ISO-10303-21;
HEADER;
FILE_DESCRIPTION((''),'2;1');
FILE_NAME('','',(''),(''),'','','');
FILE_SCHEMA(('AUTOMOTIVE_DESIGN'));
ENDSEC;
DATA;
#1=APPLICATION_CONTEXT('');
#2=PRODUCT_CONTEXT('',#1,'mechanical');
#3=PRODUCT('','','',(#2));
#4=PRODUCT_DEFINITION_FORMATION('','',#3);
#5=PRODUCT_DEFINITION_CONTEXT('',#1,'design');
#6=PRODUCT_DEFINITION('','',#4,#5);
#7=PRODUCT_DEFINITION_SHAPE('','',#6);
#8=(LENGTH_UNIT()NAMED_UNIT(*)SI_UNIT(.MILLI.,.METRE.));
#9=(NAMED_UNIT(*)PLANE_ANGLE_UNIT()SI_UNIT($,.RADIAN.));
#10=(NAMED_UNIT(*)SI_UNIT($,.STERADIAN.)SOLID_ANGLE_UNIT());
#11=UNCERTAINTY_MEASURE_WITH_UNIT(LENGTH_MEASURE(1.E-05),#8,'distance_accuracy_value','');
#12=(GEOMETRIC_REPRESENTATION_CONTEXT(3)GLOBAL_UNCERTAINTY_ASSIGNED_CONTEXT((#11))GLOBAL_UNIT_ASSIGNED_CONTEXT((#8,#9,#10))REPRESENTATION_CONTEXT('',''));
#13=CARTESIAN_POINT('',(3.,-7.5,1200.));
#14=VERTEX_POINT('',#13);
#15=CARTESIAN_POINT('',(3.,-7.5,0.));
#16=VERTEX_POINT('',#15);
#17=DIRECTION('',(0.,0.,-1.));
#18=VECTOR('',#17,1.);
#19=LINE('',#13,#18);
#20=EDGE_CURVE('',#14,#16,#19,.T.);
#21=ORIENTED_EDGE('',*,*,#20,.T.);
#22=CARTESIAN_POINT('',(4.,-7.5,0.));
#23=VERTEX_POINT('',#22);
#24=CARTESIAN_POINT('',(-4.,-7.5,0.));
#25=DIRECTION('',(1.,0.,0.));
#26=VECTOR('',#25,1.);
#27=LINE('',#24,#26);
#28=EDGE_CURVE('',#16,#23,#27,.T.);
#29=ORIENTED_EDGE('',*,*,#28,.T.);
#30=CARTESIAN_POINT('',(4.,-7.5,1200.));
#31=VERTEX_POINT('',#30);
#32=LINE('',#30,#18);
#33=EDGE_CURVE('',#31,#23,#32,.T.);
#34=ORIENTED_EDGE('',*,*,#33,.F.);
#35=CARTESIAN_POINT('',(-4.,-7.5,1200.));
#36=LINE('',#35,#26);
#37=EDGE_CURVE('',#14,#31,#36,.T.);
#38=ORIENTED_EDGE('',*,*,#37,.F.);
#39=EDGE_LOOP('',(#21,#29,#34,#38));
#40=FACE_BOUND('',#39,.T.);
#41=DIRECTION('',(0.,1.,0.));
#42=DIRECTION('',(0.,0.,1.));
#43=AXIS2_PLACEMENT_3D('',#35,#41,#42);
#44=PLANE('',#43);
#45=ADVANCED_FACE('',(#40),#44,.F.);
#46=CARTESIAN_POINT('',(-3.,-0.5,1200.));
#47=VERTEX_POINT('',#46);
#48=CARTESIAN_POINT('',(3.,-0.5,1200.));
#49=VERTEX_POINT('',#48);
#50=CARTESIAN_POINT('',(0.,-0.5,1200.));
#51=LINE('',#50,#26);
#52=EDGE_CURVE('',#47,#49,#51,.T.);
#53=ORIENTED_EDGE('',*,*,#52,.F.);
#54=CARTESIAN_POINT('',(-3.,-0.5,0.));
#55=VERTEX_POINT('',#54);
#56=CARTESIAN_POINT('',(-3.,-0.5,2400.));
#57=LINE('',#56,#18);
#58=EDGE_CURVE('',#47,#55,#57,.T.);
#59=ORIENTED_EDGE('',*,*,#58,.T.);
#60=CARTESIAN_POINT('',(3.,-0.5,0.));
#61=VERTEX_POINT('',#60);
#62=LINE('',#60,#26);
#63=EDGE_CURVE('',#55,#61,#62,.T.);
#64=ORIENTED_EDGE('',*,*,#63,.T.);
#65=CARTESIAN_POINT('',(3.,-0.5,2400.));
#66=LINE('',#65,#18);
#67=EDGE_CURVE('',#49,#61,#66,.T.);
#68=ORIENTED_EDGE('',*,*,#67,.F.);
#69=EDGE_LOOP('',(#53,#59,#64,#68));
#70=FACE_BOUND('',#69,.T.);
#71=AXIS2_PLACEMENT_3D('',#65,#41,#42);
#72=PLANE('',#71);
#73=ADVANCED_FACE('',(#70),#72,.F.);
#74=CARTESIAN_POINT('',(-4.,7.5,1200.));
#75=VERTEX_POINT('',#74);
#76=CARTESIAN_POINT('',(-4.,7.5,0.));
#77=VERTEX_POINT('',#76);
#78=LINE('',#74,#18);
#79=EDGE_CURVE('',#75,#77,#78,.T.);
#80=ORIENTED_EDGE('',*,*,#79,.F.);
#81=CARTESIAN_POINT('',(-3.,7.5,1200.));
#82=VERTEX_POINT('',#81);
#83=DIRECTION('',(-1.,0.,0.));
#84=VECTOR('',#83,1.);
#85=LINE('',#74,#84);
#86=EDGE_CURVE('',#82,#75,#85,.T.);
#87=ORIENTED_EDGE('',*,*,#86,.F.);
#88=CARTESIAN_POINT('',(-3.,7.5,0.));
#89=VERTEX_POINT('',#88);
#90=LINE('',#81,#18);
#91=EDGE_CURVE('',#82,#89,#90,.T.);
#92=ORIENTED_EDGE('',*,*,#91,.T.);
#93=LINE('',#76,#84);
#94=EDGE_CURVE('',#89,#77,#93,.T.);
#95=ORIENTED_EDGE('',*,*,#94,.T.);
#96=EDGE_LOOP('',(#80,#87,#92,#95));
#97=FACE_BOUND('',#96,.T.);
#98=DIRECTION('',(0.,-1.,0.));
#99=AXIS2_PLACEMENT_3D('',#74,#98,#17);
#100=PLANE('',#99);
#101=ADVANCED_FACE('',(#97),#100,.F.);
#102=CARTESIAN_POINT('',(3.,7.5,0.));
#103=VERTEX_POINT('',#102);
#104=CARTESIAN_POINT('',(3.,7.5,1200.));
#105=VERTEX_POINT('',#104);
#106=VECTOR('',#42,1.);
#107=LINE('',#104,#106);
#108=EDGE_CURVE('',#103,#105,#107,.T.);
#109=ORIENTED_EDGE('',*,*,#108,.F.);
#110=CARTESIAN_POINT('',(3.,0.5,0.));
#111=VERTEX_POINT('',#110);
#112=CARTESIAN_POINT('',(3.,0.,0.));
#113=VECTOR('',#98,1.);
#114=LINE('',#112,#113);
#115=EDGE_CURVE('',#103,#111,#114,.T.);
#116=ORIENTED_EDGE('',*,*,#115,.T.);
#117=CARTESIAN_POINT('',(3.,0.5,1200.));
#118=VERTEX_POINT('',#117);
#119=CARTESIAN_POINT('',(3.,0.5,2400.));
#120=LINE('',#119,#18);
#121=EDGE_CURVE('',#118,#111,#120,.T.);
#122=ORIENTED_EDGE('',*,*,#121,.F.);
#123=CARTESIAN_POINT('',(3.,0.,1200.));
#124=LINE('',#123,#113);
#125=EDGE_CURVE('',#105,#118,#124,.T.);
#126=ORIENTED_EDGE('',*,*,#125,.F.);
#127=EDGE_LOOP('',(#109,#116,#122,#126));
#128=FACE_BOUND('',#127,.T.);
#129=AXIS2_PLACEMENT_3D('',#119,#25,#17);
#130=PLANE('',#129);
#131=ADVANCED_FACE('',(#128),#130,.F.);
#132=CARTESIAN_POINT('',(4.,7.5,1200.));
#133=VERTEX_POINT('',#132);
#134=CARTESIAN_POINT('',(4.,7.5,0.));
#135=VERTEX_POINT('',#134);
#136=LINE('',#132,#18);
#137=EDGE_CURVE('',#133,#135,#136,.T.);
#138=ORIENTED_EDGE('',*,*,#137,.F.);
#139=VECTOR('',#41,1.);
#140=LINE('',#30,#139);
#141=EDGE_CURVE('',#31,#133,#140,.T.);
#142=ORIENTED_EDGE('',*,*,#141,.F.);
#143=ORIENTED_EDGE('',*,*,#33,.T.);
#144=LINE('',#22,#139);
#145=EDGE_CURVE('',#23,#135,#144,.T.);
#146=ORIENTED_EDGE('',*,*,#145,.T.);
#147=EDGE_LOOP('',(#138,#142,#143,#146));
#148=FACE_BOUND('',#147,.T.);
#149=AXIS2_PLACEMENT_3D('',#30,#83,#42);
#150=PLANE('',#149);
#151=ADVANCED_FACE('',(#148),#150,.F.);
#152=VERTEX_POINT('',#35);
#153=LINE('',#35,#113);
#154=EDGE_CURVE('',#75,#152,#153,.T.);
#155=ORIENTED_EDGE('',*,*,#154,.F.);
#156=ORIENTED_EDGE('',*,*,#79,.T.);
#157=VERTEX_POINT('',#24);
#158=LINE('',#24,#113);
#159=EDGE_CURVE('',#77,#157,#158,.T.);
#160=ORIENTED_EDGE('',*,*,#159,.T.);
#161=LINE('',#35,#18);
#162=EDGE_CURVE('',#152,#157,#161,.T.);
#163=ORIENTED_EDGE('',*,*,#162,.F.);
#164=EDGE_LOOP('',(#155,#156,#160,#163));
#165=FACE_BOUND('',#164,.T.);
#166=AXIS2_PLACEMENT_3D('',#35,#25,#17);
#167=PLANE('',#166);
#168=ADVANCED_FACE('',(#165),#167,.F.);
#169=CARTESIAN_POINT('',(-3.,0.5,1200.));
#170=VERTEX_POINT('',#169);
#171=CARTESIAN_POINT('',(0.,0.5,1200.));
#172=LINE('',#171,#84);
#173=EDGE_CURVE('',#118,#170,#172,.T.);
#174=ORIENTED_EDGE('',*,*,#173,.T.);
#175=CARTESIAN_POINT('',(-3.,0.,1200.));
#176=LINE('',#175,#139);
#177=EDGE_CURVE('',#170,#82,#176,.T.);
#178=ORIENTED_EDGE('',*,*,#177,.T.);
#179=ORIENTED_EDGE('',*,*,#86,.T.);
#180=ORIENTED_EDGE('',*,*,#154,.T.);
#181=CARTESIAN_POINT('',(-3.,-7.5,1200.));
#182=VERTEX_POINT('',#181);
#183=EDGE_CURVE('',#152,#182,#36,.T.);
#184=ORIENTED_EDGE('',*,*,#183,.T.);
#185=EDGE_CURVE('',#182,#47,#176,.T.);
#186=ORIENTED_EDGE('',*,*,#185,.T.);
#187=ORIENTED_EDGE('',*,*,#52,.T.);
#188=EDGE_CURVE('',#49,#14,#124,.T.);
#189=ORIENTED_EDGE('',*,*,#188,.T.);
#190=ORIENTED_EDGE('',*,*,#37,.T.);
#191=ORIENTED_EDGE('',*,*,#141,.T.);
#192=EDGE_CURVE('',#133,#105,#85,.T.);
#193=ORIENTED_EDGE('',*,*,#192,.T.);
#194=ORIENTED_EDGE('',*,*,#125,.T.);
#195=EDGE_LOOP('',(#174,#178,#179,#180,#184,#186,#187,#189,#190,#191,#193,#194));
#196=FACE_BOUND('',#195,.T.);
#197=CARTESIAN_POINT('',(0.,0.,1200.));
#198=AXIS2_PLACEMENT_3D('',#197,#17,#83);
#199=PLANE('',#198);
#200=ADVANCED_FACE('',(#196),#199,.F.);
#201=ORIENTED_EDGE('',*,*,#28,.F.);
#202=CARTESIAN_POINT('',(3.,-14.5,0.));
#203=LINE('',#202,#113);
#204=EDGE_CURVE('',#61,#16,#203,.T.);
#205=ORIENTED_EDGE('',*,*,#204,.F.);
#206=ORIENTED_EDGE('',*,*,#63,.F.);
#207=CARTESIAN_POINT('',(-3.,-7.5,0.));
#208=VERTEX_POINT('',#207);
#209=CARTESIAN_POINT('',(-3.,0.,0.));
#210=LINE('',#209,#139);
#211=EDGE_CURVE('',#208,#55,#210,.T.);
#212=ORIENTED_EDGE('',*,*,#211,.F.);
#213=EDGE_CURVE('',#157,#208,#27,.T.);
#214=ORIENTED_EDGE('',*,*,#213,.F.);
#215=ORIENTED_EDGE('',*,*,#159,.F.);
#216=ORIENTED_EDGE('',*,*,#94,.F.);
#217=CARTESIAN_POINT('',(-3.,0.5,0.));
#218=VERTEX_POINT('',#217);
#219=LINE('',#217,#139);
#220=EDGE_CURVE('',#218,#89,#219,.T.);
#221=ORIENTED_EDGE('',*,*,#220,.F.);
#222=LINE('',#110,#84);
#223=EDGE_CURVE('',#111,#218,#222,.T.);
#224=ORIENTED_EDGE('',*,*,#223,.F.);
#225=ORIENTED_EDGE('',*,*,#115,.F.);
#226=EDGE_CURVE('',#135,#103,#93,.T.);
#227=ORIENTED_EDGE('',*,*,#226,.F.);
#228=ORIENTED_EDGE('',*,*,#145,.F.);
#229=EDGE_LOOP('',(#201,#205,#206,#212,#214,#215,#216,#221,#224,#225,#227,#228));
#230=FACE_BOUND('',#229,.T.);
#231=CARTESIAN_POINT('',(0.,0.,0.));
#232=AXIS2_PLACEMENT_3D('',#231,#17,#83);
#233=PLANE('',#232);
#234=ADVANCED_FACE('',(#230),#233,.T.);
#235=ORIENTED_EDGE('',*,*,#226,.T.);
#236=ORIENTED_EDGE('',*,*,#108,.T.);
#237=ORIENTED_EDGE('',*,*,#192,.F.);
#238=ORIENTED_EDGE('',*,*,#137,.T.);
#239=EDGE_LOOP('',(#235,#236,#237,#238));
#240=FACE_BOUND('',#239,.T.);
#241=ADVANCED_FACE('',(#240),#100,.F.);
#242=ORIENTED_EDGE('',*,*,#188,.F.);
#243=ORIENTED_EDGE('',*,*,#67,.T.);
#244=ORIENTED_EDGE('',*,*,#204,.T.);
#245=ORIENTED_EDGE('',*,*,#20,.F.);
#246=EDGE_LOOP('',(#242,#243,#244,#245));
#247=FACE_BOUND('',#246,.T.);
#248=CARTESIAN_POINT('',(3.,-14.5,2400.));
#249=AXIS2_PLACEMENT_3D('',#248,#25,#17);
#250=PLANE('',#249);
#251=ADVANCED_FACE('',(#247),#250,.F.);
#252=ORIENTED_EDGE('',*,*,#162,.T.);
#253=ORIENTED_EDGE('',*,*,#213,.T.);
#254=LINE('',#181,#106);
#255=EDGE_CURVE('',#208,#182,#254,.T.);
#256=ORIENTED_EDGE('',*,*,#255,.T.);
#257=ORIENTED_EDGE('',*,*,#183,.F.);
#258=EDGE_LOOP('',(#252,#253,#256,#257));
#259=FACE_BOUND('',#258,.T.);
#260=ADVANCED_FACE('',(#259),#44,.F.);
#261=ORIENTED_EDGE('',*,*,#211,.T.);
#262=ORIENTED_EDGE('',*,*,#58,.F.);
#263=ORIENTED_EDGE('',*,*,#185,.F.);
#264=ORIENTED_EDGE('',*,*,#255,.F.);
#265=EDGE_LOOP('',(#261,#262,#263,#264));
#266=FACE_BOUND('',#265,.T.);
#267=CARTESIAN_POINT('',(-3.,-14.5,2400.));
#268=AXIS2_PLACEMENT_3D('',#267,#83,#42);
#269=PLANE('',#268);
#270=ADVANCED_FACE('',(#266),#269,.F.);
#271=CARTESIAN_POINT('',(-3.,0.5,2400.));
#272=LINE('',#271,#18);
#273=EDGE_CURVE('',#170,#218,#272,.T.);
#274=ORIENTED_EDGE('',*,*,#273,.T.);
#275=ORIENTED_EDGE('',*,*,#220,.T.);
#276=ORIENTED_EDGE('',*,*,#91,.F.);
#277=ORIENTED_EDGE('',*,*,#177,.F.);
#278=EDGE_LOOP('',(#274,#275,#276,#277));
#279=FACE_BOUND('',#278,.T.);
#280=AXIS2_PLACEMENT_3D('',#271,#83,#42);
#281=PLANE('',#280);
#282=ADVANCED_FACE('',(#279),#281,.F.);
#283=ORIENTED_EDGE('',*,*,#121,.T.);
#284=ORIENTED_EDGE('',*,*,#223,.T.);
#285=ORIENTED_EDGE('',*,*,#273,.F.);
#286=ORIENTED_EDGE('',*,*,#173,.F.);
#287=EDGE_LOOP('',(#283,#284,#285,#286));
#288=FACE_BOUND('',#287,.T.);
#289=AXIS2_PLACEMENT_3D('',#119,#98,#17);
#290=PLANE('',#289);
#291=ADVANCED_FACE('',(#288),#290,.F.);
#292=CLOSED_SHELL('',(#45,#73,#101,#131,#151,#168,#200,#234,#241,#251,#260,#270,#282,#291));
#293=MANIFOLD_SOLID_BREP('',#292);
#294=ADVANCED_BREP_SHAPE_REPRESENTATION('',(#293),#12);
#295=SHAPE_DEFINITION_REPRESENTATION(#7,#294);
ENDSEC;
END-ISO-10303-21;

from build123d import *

# Parameters (mm, degrees)
SKETCH_1_W          = 8
SKETCH_1_H          = 15
EXTRUDE_1_DEPTH     = 1200
SKETCH_2_W          = 6
SKETCH_2_H          = 14
CUT_EXTRUDE_1_DEPTH = 2400


with BuildPart() as part:
    # 草图1 → 凸台-拉伸1 (new body)
    with BuildSketch(Plane.XY):
        Rectangle(SKETCH_1_W, SKETCH_1_H)
    extrude(amount=EXTRUDE_1_DEPTH)

    # 草图2 → 切除-拉伸1 (cut)
    with BuildSketch(Plane(origin=(0, 0, 0), x_dir=(-1, 0, 0), z_dir=(0, 0, -1))):
        with Locations((0, -7.5)):
            Rectangle(SKETCH_2_W, SKETCH_2_H)
        with Locations((0, 7.5)):
            Rectangle(SKETCH_2_W, SKETCH_2_H)
    extrude(amount=-CUT_EXTRUDE_1_DEPTH, mode=Mode.SUBTRACT)


solid = part.part
